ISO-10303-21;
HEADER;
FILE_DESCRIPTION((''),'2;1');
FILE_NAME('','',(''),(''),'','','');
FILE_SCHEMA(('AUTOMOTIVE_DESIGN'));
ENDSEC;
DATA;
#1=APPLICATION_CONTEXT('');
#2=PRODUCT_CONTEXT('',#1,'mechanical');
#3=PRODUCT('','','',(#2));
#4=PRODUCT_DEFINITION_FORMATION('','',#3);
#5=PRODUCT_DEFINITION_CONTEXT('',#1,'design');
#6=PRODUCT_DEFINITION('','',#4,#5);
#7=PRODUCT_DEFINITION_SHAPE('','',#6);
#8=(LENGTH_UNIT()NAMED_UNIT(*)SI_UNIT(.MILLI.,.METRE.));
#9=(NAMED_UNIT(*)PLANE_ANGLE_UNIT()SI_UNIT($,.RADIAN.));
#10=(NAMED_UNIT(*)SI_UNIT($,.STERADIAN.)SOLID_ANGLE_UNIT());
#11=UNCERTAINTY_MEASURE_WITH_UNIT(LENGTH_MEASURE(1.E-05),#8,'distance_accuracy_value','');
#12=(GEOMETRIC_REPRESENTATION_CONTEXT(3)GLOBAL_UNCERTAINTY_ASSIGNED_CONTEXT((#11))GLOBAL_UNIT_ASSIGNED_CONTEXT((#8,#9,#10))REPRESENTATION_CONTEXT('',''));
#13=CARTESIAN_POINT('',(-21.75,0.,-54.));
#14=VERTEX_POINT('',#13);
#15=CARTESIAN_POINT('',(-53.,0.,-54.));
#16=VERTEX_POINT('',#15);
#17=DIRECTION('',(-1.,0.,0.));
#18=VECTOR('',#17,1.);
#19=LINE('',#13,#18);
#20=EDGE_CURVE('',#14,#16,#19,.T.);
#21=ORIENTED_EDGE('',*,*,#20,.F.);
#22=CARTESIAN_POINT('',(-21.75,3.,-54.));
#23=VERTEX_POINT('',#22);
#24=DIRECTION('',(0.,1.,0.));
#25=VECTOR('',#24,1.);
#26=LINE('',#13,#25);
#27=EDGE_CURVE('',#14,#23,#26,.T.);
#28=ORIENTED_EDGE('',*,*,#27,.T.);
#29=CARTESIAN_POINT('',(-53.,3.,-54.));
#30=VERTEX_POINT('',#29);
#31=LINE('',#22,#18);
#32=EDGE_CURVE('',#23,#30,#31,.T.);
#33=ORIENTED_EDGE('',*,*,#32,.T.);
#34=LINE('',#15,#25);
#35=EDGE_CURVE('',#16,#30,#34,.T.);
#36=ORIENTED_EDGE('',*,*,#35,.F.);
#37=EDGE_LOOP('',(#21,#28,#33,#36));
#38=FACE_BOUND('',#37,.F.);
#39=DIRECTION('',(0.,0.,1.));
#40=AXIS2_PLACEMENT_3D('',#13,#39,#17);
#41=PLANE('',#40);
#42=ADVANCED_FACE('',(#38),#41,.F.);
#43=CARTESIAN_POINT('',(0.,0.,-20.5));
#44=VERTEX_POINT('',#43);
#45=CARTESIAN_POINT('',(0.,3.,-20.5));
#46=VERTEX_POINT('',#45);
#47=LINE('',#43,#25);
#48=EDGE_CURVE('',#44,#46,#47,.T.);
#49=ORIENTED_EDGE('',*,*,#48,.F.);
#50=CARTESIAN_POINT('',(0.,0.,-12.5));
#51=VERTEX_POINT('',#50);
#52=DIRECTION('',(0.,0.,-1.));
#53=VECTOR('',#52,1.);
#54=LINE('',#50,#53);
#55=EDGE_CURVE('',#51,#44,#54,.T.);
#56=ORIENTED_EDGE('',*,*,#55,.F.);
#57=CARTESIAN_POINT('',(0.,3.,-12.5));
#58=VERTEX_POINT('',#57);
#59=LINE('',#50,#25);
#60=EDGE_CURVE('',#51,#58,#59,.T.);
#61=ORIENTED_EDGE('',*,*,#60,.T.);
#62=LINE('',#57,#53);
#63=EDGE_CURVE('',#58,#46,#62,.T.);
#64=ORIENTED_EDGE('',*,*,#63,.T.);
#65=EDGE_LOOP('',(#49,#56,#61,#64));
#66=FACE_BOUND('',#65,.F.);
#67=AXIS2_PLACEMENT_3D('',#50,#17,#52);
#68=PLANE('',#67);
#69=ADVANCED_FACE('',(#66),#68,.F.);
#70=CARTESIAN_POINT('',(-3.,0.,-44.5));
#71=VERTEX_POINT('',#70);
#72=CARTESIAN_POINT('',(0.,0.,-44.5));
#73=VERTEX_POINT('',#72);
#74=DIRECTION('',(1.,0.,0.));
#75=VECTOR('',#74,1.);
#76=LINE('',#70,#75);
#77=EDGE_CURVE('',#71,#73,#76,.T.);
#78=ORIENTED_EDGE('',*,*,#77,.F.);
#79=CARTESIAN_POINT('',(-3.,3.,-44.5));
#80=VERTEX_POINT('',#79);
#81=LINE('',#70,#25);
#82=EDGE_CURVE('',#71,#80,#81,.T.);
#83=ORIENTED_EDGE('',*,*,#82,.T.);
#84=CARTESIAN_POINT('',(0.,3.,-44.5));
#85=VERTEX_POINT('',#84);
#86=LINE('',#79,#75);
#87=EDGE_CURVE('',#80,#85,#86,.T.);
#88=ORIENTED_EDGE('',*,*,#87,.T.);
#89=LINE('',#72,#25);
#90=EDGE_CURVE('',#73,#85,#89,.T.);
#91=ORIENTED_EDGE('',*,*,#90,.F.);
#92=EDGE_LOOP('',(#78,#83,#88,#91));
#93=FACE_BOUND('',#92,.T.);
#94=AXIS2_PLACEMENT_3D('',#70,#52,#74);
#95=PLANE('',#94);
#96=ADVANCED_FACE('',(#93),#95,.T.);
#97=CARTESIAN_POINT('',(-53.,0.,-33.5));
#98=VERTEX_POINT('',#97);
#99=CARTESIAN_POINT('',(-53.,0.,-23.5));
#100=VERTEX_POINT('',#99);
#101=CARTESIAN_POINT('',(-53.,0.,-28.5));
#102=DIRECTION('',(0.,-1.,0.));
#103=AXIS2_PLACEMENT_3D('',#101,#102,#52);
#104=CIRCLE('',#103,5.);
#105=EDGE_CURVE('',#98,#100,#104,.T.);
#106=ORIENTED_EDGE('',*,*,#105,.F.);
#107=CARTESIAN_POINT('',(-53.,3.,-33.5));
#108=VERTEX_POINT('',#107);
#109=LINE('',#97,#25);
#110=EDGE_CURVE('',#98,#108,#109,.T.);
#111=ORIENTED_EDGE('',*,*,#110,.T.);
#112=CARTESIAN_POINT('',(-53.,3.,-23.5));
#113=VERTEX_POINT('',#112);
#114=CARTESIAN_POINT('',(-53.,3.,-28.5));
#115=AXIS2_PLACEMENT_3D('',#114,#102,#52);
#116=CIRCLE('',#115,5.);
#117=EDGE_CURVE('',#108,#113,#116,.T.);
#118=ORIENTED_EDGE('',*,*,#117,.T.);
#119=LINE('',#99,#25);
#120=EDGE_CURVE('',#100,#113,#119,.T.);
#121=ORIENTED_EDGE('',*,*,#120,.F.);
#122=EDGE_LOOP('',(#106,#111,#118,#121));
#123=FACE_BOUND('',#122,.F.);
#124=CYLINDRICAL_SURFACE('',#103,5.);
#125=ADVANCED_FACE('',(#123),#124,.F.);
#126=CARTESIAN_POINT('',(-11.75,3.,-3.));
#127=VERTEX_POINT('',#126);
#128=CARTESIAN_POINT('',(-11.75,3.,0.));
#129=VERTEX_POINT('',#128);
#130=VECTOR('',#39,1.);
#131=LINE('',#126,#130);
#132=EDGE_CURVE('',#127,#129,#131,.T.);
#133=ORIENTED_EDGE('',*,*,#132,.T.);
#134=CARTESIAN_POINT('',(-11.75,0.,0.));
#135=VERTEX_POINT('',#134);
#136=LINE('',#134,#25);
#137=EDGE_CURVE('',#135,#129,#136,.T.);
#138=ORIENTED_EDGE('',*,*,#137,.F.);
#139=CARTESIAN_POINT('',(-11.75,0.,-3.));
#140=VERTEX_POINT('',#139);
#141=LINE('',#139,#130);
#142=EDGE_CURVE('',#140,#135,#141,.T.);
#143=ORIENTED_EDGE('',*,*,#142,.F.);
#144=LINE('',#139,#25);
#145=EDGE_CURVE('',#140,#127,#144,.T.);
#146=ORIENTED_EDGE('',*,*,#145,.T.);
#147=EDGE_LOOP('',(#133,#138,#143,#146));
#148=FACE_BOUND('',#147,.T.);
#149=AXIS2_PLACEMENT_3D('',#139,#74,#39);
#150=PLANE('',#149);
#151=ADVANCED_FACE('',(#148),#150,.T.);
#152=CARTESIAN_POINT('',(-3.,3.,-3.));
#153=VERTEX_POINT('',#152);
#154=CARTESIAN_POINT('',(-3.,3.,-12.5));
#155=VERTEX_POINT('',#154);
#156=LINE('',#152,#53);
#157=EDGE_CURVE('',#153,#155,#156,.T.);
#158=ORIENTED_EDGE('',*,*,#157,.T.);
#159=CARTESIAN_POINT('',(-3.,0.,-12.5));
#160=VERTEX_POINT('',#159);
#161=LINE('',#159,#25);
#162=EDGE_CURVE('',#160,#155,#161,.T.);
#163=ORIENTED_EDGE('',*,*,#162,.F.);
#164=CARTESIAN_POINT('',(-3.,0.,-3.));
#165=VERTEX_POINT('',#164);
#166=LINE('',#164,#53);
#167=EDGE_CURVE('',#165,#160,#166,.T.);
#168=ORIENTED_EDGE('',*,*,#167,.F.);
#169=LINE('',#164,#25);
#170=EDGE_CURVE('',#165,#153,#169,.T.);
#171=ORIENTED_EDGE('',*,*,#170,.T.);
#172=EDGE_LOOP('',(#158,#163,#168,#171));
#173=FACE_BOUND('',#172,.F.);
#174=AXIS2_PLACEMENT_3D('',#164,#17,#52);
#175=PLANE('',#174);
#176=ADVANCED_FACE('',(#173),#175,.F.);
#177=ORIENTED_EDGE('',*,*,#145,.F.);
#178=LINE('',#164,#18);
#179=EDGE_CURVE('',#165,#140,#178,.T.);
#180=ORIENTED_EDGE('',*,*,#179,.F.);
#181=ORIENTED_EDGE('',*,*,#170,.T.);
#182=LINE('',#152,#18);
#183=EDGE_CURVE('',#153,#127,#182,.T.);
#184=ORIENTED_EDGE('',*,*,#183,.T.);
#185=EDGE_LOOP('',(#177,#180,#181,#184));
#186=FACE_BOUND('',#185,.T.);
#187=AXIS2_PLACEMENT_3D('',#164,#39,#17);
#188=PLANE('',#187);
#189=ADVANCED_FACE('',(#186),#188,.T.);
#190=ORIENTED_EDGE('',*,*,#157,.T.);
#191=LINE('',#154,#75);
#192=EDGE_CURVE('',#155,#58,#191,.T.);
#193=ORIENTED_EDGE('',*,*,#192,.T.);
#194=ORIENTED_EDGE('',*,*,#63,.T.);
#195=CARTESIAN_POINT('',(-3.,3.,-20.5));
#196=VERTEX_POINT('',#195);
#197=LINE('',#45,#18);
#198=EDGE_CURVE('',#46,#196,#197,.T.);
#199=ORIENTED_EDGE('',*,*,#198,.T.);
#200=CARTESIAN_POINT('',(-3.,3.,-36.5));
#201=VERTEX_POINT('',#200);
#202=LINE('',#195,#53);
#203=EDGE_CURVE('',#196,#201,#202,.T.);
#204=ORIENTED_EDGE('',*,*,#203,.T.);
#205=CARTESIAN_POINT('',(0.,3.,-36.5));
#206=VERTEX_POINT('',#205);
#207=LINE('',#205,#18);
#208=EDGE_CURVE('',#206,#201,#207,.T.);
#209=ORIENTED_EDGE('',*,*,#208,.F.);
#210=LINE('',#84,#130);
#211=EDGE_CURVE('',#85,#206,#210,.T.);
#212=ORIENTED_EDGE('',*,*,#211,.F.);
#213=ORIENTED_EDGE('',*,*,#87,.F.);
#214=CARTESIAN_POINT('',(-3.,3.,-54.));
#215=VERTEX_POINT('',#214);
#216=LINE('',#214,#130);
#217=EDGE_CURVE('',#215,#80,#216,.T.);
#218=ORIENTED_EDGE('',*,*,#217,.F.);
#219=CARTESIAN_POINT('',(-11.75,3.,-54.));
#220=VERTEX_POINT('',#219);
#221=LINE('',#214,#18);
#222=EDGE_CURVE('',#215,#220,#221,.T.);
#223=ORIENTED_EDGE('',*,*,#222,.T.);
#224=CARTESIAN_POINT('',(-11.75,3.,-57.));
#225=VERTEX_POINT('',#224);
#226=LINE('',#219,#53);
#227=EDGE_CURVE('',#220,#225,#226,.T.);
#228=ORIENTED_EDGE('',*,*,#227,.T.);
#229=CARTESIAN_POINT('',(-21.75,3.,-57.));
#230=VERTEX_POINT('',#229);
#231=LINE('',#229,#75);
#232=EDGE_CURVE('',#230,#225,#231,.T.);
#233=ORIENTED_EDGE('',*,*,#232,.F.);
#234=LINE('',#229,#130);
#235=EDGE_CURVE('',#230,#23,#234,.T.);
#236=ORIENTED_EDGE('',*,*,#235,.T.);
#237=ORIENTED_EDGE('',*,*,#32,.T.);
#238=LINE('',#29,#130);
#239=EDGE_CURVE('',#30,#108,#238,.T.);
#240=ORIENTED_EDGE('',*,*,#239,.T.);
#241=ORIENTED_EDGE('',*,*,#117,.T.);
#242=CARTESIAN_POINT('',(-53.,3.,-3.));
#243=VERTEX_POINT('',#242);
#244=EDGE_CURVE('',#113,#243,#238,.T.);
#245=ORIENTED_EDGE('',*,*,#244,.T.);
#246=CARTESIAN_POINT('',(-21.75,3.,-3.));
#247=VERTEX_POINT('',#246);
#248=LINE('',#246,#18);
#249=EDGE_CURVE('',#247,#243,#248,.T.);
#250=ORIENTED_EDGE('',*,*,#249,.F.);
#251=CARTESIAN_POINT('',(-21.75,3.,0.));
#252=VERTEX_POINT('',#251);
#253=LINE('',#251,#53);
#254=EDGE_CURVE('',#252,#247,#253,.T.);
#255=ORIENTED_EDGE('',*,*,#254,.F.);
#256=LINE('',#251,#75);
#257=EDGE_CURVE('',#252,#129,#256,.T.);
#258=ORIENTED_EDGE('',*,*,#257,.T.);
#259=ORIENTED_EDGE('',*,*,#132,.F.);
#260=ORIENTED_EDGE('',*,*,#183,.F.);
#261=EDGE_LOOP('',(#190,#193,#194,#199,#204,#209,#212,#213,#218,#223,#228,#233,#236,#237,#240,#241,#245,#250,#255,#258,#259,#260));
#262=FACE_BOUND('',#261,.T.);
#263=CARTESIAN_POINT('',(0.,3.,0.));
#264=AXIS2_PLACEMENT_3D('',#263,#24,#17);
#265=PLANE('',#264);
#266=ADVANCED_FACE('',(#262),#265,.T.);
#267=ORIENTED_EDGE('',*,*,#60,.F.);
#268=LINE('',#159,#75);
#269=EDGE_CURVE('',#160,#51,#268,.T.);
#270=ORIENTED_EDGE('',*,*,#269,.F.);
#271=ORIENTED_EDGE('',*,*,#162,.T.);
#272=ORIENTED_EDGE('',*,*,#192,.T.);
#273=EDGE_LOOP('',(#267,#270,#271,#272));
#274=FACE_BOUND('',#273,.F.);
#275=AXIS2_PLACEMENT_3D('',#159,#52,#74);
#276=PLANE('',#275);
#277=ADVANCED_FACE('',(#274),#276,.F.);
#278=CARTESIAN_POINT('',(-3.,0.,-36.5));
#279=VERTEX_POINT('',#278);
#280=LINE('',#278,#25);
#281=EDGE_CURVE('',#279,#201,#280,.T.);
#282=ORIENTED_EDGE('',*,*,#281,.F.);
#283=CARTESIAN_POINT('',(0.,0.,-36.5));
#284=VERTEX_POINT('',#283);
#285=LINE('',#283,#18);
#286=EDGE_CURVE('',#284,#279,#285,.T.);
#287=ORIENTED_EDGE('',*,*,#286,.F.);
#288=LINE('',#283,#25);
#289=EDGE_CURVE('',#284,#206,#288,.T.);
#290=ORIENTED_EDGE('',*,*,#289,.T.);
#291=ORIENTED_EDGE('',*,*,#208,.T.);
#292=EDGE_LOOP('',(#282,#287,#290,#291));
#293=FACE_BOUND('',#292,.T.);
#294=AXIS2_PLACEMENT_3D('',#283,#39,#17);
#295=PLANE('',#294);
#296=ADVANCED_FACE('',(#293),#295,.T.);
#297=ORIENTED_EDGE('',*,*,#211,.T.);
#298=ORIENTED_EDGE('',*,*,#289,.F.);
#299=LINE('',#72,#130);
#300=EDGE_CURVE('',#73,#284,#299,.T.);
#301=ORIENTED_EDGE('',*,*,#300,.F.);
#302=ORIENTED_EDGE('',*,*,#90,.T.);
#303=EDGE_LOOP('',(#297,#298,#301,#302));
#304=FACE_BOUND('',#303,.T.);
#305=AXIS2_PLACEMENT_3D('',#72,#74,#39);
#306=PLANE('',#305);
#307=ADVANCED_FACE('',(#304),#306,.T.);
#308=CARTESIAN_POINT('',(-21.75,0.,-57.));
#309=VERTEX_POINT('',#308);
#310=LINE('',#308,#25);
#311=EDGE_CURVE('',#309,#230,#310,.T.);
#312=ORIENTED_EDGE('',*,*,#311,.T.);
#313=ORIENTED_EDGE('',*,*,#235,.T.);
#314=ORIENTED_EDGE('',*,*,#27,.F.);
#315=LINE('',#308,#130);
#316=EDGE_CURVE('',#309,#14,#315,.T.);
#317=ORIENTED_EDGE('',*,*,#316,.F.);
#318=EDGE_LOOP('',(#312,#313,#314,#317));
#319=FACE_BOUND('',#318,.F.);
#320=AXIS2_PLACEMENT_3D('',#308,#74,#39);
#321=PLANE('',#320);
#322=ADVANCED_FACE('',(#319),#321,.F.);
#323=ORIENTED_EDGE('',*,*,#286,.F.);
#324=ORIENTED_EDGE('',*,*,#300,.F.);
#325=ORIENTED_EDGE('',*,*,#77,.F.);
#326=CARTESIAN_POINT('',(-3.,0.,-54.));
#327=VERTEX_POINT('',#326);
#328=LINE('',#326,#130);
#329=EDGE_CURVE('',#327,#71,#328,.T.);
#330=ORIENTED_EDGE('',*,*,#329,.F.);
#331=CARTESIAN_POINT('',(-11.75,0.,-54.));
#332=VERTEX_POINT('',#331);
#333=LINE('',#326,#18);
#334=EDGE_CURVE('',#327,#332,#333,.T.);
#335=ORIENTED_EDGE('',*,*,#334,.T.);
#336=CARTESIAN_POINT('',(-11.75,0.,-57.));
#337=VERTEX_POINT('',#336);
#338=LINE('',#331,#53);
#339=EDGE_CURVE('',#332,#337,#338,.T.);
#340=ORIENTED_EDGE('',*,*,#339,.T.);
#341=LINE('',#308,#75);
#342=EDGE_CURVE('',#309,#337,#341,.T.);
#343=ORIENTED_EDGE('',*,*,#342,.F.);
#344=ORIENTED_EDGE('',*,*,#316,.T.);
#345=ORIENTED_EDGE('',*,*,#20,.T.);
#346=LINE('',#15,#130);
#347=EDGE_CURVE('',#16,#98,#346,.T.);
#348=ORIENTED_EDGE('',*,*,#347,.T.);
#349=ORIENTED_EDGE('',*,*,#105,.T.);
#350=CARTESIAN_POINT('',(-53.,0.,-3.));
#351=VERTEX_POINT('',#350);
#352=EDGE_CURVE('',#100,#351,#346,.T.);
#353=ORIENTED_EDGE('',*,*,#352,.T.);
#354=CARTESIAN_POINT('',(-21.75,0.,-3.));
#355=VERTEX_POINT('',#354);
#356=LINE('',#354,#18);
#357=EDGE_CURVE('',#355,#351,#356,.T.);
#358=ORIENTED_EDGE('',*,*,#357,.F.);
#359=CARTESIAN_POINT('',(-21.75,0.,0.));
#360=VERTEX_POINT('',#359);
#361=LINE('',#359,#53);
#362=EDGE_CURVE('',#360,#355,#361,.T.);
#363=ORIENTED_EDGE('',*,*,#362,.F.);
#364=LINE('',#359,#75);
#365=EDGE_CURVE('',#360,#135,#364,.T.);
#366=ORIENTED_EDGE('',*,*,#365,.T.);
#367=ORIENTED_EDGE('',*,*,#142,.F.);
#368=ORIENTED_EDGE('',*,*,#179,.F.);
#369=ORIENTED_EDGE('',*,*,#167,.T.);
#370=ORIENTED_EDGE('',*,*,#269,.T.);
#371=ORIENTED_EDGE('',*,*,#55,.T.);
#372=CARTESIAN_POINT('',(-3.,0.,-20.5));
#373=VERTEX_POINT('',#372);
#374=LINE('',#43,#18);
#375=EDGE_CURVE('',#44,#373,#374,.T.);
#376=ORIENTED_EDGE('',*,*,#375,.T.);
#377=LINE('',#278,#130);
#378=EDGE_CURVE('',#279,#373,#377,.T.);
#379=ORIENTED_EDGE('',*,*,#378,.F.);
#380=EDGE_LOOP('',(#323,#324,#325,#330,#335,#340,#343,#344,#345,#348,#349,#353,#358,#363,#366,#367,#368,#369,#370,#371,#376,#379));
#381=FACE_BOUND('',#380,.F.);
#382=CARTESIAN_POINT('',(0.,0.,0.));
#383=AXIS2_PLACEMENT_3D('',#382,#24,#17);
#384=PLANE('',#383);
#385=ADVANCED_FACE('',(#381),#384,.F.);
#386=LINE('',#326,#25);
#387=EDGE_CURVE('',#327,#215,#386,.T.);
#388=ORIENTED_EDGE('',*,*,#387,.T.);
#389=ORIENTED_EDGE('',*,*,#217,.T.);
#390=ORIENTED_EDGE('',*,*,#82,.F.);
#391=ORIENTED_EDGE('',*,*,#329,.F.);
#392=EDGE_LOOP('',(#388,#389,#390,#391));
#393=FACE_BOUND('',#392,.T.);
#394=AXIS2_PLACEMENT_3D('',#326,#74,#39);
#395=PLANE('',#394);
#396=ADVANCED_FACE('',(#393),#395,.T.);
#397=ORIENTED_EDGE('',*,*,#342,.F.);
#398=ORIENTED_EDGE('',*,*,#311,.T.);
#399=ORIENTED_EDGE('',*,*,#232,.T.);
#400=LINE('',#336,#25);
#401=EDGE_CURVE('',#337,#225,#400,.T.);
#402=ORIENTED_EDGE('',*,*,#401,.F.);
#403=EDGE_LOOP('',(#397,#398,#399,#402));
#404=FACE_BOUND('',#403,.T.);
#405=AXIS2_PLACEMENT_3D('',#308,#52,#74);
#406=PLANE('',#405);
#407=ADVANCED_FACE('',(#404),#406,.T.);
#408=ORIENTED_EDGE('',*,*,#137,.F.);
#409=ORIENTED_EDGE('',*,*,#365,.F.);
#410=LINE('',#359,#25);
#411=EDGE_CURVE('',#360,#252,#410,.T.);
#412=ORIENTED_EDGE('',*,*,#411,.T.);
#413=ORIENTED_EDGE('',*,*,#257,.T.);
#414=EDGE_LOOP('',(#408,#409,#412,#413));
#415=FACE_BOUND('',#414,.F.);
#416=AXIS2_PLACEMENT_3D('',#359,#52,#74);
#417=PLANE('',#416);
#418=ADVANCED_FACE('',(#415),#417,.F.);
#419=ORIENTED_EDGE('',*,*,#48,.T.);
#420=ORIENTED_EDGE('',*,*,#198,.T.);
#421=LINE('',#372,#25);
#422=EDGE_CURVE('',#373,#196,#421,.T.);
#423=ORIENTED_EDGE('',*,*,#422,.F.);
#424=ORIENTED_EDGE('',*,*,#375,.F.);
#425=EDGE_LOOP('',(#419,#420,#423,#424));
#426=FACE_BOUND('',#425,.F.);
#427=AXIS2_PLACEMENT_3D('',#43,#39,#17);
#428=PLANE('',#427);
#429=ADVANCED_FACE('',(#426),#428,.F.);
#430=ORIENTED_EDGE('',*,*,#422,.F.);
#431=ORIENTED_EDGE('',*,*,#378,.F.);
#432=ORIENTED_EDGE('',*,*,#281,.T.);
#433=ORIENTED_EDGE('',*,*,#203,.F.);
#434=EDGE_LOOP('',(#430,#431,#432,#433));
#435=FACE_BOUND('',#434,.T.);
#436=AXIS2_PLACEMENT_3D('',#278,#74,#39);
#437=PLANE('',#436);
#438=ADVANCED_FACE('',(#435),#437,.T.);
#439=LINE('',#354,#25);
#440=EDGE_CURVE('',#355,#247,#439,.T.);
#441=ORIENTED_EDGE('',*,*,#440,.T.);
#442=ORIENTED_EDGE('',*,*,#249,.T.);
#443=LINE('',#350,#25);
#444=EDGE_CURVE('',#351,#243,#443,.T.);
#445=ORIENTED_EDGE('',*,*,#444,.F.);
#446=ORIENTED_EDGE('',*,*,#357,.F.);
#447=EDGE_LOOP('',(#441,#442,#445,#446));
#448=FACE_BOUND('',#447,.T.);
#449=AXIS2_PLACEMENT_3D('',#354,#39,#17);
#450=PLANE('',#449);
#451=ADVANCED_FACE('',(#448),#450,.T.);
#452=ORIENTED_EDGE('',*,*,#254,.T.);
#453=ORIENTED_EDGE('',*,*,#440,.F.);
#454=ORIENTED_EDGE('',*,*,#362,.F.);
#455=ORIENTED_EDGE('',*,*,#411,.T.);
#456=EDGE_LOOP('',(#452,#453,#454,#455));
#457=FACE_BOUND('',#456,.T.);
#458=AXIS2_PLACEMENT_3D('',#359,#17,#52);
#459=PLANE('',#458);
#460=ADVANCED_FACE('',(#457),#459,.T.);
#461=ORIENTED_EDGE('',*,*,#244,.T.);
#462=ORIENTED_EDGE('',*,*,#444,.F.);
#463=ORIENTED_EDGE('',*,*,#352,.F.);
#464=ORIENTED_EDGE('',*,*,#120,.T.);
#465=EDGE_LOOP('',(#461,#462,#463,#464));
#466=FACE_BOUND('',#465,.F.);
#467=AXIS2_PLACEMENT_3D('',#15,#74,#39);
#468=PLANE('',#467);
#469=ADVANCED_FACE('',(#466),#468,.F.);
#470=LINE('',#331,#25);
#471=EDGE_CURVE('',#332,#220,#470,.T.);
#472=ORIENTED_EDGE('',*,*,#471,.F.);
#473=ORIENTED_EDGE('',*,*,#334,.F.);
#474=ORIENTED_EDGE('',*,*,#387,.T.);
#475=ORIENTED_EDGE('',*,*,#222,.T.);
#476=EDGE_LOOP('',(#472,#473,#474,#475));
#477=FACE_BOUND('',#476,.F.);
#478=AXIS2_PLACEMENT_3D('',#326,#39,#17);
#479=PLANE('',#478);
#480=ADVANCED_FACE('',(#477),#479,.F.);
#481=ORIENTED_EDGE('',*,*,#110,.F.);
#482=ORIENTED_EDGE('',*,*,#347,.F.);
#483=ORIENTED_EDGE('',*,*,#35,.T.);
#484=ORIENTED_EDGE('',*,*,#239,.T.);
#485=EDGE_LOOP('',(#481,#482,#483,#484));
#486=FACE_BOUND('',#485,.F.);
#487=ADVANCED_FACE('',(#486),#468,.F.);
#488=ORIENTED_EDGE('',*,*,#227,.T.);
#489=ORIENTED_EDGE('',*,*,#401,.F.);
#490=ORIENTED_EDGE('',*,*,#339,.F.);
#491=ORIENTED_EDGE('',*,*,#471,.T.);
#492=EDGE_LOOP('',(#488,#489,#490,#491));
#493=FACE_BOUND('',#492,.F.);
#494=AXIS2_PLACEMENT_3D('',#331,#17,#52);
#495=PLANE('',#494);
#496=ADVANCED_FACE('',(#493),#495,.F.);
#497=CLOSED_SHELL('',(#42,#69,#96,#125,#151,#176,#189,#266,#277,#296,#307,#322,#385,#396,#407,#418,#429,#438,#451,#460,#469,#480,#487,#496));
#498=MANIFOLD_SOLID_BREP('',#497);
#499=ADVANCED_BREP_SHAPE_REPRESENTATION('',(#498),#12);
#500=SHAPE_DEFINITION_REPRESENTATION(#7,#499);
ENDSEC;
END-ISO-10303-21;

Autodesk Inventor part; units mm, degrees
ref_plane "YZ Plane" through (0, 0, 0) normal (1, 0, 0) x (0, 1, 0)
ref_plane "XZ Plane" through (0, 0, 0) normal (0, 1, 0) x (-1, 0, 0)
sketch "Sketch1" plane through (0, 0, 0) normal (0, 1, 0) x (-1, 0, 0)
  line L0 (53, -54) -> (53, -3)
  line L1 (21.75, 0) -> (11.75, 0)
  line L2 (3, -3) -> (3, -12.5)
  line L3 (3, -12.5) -> (0, -12.5)
  line L4 (0, -12.5) -> (0, -20.5)
  line L5 (0, -20.5) -> (3, -20.5)
  line L6 (0, -28.5) -> (26.5, -28.5) construction
  line L7 (26.5, -28.5) -> (26.5, -57) construction
  line L8 (3, -20.5) -> (3, -28.5)
  line L9 (3, -54) -> (3, -44.5)
  line L10 (3, -44.5) -> (0, -44.5)
  line L11 (0, -44.5) -> (0, -36.5)
  line L12 (0, -36.5) -> (3, -36.5)
  line L13 (3, -36.5) -> (3, -28.5)
  line L14 (3, -3) -> (11.75, -3)
  line L15 (11.75, -3) -> (11.75, 0)
  line L16 (11.75, 0) -> (21.75, 0)
  line L17 (21.75, 0) -> (21.75, -3)
  line L18 (21.75, -3) -> (53, -3)
  line L19 (21.75, -57) -> (11.75, -57)
  line L20 (3, -54) -> (11.75, -54)
  line L21 (11.75, -54) -> (11.75, -57)
  line L22 (21.75, -57) -> (21.75, -54)
  line L23 (21.75, -54) -> (53, -54)
  point P0 (0, 0)
  dimension "d4" = 8
  dimension "d6" = 8.75
  dimension "d7" = 10
extrude "Extrusion1" add sketch "Sketch1" along normal blind 3
sketch "Sketch2" plane through (0, 0, 0) normal (0, -1, 0) x (1, 0, 0)
  line L0 (-53, -54) -> (-53, -3) projected
  arc A0 (-53, -33.5) -> (-53, -23.5) centre (-53, -28.5) ccw
  line L1 (-53, -33.5) -> (-53, -23.5)
  point P0 (0, 0)
  dimension "d10" = 10
ref_plane "Work Plane1" through (-57, 11.25, -57) normal (0, 1, 0) x (0, 0, 1)
extrude "Extrusion2" cut sketch "Sketch2" against normal up to surface (11.25 mm away)
properties part number "SoporteCircuito" material "Iron, Cast"
